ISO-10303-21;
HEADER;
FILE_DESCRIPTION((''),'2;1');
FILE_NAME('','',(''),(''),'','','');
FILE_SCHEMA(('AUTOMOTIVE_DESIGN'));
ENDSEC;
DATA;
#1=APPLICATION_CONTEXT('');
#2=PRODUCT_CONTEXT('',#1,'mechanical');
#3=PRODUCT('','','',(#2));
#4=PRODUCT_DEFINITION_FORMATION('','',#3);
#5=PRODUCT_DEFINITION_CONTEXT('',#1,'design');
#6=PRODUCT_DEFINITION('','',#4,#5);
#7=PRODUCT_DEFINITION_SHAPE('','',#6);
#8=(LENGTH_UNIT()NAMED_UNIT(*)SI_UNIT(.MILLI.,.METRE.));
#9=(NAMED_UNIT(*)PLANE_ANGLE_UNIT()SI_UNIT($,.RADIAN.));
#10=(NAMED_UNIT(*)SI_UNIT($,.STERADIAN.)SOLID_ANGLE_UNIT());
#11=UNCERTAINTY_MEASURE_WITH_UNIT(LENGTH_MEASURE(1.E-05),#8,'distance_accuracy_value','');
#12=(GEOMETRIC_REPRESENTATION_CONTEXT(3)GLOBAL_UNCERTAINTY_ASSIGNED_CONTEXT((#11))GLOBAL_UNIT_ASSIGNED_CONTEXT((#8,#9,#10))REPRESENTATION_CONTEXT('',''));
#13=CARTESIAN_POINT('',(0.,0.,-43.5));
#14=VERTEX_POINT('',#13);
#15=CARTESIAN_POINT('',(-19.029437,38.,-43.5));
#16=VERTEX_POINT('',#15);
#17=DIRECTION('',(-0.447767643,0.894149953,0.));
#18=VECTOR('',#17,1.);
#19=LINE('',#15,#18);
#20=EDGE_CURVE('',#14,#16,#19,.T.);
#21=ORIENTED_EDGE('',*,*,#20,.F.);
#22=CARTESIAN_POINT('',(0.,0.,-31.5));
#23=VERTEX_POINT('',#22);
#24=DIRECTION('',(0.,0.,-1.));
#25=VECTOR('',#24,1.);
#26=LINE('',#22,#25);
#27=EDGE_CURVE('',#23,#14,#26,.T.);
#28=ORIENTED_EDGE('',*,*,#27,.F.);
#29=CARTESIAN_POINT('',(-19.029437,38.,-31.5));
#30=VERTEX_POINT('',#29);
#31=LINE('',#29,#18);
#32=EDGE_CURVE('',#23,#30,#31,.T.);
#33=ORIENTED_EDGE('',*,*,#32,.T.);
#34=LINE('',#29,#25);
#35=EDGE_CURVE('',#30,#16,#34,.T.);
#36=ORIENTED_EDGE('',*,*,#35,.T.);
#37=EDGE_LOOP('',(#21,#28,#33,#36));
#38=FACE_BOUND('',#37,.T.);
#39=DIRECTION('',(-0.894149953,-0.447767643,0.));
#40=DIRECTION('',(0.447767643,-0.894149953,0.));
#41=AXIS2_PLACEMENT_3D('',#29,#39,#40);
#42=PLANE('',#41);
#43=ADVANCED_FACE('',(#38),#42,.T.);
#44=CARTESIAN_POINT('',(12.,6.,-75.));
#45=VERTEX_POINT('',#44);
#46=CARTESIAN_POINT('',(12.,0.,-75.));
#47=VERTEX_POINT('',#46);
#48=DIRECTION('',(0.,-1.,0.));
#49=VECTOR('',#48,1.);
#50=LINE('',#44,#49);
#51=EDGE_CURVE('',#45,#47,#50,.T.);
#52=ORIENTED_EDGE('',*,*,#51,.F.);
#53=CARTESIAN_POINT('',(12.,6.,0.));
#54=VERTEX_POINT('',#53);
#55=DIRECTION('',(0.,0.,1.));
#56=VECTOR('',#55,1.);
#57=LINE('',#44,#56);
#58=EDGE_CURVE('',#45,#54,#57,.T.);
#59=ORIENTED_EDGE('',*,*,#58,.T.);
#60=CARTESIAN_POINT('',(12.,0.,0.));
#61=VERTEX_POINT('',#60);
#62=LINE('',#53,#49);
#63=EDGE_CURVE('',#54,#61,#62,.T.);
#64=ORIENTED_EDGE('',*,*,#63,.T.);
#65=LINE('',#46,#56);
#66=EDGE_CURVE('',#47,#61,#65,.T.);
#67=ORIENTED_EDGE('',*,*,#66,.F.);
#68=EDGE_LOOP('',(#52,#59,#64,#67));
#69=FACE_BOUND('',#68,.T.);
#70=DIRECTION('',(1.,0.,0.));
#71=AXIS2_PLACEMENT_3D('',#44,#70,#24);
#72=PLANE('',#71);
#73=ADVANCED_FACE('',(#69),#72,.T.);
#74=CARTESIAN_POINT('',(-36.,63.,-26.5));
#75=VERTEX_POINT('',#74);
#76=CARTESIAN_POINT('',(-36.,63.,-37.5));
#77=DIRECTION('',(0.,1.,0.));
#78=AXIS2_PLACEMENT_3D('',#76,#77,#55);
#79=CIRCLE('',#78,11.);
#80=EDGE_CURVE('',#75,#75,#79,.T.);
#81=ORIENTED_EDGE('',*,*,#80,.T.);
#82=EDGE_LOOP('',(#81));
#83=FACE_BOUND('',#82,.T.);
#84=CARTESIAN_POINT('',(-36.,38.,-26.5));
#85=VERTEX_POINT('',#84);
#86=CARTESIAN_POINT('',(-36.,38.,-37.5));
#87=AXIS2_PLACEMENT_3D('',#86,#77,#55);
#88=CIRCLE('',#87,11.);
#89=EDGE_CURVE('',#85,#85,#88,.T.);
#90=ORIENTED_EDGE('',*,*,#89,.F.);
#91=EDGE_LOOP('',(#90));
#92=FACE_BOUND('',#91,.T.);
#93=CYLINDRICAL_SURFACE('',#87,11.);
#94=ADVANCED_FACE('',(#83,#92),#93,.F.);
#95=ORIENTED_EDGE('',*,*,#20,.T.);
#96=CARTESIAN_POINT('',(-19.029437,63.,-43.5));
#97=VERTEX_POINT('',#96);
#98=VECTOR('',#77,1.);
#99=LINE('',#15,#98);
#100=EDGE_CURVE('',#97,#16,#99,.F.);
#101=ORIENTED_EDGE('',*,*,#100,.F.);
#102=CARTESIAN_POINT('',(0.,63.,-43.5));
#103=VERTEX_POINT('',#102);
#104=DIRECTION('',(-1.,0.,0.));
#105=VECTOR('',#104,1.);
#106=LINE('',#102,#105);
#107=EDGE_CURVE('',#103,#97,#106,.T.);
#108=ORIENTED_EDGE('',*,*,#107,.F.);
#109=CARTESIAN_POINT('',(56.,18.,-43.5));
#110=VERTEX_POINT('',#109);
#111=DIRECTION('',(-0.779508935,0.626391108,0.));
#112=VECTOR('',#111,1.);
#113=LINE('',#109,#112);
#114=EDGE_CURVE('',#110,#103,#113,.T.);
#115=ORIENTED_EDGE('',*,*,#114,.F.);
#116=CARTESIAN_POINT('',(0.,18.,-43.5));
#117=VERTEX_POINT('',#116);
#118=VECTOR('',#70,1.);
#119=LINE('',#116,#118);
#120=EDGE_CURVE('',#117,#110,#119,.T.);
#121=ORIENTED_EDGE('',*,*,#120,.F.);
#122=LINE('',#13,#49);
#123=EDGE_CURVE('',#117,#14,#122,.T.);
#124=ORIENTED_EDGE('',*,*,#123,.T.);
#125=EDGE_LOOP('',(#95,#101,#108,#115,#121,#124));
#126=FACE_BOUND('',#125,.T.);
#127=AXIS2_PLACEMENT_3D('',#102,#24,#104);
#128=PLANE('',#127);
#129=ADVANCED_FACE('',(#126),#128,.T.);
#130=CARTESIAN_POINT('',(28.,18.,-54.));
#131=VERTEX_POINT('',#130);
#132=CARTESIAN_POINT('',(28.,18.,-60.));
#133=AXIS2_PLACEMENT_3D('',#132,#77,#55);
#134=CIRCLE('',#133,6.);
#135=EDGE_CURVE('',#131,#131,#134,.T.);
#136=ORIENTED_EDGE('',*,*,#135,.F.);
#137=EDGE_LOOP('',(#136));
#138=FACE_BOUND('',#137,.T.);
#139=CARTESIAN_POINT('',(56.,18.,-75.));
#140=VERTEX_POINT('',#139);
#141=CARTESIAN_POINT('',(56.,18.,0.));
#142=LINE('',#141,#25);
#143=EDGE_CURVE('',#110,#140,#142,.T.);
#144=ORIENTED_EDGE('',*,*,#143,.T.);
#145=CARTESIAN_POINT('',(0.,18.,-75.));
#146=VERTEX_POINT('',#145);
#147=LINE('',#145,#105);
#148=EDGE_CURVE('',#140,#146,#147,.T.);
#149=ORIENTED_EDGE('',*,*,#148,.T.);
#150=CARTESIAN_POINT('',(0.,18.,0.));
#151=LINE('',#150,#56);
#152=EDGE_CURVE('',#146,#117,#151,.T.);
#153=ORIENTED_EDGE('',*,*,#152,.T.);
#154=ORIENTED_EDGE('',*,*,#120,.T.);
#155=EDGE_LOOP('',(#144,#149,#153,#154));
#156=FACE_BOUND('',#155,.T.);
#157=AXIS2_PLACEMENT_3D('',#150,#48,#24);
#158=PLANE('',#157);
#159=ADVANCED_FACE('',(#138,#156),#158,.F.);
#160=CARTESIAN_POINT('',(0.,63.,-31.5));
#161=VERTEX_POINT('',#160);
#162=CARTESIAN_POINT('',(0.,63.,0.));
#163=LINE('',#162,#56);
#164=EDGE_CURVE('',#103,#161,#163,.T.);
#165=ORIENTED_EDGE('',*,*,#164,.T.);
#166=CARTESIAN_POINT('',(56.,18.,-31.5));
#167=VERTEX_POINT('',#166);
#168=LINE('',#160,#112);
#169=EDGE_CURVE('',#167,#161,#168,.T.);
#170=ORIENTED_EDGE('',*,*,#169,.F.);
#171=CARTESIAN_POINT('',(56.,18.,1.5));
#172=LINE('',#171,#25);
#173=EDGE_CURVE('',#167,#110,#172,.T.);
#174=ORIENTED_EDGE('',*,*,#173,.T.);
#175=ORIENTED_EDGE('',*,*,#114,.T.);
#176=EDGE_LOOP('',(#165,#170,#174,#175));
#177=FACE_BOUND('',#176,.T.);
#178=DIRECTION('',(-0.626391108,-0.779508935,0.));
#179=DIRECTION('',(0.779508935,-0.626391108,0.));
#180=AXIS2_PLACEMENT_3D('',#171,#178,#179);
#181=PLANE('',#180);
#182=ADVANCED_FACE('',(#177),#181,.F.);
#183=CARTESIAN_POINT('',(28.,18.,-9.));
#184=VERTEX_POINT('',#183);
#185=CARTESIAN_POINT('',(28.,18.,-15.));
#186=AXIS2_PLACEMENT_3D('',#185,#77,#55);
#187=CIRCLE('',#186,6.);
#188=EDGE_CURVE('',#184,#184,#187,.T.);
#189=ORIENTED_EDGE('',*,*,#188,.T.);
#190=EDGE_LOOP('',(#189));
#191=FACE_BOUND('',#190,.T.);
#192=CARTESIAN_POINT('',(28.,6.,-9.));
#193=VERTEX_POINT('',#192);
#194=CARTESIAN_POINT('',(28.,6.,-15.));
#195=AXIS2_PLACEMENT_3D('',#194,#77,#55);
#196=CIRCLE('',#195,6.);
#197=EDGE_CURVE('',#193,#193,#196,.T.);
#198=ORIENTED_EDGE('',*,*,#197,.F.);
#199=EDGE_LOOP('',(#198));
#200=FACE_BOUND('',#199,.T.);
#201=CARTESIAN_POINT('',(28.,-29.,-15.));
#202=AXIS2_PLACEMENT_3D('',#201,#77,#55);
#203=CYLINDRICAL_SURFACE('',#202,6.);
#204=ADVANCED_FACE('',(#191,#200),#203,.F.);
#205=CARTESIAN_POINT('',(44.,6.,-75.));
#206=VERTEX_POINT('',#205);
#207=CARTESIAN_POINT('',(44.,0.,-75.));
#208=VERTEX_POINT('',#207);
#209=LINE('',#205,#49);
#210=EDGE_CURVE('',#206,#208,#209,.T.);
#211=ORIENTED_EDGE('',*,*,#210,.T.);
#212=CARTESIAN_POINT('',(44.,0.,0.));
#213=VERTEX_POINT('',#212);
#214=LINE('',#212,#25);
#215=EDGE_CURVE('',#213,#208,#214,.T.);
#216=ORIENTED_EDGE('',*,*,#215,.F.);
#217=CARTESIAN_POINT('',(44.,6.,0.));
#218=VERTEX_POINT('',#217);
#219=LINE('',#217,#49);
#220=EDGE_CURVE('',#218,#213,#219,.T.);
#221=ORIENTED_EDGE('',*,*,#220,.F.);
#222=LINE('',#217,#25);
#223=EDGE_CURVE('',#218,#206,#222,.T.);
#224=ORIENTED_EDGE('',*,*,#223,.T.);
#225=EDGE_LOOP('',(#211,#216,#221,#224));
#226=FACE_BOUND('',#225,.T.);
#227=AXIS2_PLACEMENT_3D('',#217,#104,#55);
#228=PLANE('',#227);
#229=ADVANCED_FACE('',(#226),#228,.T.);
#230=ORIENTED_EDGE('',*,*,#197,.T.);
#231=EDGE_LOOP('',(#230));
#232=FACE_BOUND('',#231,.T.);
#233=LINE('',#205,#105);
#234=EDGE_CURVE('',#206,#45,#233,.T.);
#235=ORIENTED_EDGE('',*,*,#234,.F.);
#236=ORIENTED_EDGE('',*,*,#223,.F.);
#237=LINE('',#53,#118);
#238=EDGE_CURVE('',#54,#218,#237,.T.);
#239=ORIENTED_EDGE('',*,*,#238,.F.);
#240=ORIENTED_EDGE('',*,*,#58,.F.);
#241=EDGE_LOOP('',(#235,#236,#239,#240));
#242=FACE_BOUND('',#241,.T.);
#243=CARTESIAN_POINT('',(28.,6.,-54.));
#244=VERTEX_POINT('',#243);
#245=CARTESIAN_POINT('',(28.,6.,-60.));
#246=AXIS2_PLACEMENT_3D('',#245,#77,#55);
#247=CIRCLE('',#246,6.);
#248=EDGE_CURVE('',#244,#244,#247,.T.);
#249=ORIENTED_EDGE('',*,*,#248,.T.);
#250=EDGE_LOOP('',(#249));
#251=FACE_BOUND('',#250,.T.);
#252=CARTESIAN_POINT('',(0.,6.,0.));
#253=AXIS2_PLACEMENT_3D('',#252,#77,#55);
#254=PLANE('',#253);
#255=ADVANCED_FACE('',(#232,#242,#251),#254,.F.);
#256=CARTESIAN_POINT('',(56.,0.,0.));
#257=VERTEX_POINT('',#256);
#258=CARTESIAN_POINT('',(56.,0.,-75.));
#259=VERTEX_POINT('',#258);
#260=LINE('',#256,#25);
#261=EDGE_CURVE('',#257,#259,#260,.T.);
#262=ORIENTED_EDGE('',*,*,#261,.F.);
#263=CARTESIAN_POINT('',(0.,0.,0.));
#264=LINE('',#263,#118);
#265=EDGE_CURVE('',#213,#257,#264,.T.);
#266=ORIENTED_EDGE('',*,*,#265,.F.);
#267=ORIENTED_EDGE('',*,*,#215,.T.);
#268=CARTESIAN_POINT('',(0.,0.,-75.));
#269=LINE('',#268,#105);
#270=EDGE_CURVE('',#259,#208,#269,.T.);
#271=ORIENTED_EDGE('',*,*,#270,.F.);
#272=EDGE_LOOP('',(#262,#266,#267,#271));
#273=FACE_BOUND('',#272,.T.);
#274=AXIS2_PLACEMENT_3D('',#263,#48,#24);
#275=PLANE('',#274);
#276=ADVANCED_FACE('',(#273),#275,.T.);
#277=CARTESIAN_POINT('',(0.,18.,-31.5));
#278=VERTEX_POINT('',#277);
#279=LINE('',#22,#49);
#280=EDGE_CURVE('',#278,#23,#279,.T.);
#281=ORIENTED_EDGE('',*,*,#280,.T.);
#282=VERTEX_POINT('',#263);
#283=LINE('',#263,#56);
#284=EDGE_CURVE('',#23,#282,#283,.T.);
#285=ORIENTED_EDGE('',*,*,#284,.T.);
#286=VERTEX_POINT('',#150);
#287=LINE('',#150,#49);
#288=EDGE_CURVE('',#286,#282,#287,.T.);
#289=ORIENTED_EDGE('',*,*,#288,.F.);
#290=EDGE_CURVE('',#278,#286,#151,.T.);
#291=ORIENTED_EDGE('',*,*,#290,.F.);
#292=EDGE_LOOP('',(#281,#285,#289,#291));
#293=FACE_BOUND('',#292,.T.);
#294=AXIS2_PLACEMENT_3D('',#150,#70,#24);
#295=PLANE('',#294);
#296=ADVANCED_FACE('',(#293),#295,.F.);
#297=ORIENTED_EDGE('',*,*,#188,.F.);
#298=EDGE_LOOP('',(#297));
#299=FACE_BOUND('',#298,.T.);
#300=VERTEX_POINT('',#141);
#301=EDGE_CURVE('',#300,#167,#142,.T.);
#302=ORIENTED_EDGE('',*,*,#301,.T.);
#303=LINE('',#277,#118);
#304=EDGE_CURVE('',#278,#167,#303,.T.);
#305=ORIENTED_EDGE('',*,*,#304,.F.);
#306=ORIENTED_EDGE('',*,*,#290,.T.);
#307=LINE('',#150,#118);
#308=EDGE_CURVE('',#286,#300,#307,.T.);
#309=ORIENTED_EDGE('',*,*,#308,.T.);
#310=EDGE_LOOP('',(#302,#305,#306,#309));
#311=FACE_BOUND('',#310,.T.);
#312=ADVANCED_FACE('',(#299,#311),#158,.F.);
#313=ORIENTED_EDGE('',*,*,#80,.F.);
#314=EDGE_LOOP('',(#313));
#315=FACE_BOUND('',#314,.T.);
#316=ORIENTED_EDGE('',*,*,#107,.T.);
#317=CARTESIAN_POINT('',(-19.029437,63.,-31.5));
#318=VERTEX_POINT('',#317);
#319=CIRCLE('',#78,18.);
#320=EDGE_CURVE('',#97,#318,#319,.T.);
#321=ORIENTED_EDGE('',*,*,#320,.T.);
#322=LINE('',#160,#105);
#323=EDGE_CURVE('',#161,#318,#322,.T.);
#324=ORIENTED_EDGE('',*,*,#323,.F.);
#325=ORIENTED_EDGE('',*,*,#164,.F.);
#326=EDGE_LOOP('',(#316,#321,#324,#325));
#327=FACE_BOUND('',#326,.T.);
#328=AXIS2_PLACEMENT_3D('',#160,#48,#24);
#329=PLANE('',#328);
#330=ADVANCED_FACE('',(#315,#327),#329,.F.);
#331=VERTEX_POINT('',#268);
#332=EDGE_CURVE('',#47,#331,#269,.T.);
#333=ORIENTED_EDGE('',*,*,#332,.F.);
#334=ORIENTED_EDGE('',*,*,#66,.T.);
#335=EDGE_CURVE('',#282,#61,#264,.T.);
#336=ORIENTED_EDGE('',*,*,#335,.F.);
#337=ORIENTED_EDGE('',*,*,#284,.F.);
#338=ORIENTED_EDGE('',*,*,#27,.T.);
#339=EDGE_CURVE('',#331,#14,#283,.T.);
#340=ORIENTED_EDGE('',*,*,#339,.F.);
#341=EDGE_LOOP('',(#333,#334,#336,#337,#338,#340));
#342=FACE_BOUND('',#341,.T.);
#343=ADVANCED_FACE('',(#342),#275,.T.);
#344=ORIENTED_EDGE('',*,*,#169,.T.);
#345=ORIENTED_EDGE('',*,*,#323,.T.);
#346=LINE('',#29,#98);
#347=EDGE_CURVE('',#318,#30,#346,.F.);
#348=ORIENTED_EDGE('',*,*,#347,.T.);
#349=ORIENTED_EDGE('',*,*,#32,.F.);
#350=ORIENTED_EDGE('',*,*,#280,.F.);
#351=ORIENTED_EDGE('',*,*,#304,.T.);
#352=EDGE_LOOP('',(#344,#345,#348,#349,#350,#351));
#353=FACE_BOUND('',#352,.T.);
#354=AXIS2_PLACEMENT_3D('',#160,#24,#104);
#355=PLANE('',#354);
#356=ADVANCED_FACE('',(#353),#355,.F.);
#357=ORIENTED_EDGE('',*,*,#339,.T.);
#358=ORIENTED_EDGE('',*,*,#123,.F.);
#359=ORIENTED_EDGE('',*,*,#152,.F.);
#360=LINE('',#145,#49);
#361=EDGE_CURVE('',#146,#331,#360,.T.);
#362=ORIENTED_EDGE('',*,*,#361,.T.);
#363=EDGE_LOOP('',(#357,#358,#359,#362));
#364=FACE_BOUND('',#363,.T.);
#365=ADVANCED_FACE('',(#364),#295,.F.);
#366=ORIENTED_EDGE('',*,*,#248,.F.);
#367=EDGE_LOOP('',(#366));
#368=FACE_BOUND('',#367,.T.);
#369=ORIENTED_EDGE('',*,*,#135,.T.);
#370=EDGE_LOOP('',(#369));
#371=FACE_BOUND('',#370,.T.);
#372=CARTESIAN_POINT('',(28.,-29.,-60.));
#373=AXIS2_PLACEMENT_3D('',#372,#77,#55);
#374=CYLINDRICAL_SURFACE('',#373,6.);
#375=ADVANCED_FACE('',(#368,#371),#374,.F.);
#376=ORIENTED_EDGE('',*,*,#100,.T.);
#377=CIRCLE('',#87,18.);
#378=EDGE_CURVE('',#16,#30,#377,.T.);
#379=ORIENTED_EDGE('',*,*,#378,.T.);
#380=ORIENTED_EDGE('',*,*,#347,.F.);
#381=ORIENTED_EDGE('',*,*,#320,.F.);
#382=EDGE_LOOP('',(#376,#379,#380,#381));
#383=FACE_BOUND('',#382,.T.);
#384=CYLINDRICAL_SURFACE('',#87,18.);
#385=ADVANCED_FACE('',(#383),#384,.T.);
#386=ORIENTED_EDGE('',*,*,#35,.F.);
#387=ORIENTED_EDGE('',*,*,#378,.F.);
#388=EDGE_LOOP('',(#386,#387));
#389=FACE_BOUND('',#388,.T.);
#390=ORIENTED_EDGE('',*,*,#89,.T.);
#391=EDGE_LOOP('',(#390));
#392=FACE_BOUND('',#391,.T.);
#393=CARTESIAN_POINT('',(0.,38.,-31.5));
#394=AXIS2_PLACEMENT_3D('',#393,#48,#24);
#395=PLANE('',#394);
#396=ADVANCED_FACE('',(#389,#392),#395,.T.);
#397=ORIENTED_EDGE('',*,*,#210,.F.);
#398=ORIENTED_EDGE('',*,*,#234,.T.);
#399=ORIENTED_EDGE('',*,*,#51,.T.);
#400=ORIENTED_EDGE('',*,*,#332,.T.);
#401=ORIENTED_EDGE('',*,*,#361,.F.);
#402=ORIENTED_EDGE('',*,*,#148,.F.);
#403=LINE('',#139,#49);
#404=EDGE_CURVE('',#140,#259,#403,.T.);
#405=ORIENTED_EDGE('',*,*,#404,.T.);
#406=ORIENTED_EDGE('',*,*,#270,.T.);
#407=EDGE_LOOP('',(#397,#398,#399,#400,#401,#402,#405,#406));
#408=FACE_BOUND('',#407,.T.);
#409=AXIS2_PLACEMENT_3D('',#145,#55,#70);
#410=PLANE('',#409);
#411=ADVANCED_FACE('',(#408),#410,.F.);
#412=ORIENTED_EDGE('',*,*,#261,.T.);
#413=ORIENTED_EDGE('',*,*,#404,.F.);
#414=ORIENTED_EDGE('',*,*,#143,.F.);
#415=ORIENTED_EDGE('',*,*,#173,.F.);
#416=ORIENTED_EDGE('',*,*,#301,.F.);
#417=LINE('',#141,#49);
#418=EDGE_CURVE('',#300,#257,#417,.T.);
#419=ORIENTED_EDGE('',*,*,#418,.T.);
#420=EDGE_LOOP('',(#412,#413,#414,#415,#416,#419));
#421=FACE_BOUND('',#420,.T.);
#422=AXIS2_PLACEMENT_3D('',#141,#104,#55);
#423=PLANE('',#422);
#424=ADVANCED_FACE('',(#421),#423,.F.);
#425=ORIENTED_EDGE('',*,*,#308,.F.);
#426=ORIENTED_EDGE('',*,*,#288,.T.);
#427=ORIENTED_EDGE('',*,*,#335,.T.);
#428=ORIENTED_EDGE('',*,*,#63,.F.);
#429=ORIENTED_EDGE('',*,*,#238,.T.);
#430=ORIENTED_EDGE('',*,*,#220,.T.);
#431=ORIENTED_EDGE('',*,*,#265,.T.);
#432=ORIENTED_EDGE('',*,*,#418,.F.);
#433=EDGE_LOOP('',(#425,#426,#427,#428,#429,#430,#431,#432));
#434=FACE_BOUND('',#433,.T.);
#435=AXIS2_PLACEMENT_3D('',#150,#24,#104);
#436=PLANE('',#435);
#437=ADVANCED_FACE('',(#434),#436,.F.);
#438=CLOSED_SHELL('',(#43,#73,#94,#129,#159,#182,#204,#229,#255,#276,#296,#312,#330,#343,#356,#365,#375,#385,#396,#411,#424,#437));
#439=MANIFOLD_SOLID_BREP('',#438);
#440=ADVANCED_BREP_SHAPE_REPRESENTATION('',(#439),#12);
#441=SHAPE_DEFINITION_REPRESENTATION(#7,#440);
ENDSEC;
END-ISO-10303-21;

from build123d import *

# Parameters (mm, degrees)
SKETCH2_W            = 56
SKETCH2_H            = 75
BOSS_EXTRUDE1_DEPTH  = 18
SKETCH3_W            = 32
SKETCH3_H            = 75
CUT_EXTRUDE1_DEPTH   = 6
SKETCH6_R            = 6
CUT_EXTRUDE2_DEPTH   = 47
SKETCH7_W            = 56
SKETCH7_H            = 12
BOSS_EXTRUDE2_DEPTH  = 45
CUT_EXTRUDE3_DEPTH   = 45
SKETCH9_W            = 36
SKETCH9_H            = 25
BOSS_EXTRUDE5_DEPTH  = 12
SKETCH10_R           = 18
BOSS_EXTRUDE9_DEPTH  = 25
SKETCH11_R           = 11
CUT_EXTRUDE4_DEPTH   = 25
BOSS_EXTRUDE10_DEPTH = 12


with BuildPart() as part:
    # Sketch2 → Boss-Extrude1 (new body)
    with BuildSketch(Plane(origin=(0, 0, 0), x_dir=(1, 0, 0), z_dir=(0, 1, 0))):
        with Locations((28, 37.5)):
            Rectangle(SKETCH2_W, SKETCH2_H)
    extrude(amount=BOSS_EXTRUDE1_DEPTH)

    # Sketch3 → Cut-Extrude1 (cut)
    with BuildSketch(Plane.XZ):
        with Locations((28, -37.5)):
            Rectangle(SKETCH3_W, SKETCH3_H)
    extrude(amount=-CUT_EXTRUDE1_DEPTH, mode=Mode.SUBTRACT)

    # Sketch6 → Cut-Extrude2 (cut)
    with BuildSketch(Plane(origin=(0, 18, 0), x_dir=(1, 0, 0), z_dir=(0, 1, 0))):
        with Locations((28, 15)):
            Circle(SKETCH6_R)
        with Locations((28, 60)):
            Circle(SKETCH6_R)
    extrude(amount=-CUT_EXTRUDE2_DEPTH, mode=Mode.SUBTRACT)

    # Sketch7 → Boss-Extrude2 (add)
    with BuildSketch(Plane(origin=(0, 18, 0), x_dir=(1, 0, 0), z_dir=(0, 1, 0))):
        with Locations((28, 37.5)):
            Rectangle(SKETCH7_W, SKETCH7_H)
    extrude(amount=BOSS_EXTRUDE2_DEPTH)

    # Sketch8 → Cut-Extrude3 (cut)
    with BuildSketch(Plane(origin=(0, 0, -43.5), x_dir=(-1, 0, 0), z_dir=(0, 0, -1))):
        Polygon((-56, 18), (0, 63), (-56, 63), align=None)
    extrude(amount=-CUT_EXTRUDE3_DEPTH, mode=Mode.SUBTRACT)

    # Sketch9 → Boss-Extrude5 (add)
    with BuildSketch(Plane(origin=(0, 0, -43.5), x_dir=(-1, 0, 0), z_dir=(0, 0, -1))):
        with Locations((18, 50.5)):
            Rectangle(SKETCH9_W, SKETCH9_H)
    extrude(amount=-BOSS_EXTRUDE5_DEPTH)

    # Sketch10 → Boss-Extrude9 (add)
    with BuildSketch(Plane(origin=(0, 63, 0), x_dir=(1, 0, 0), z_dir=(0, 1, 0))):
        with Locations((-36, 37.5)):
            Circle(SKETCH10_R)
    extrude(amount=-BOSS_EXTRUDE9_DEPTH)

    # Sketch11 → Cut-Extrude4 (cut)
    with BuildSketch(Plane(origin=(0, 63, 0), x_dir=(1, 0, 0), z_dir=(0, 1, 0))):
        with Locations((-36, 37.5)):
            Circle(SKETCH11_R)
    extrude(amount=-CUT_EXTRUDE4_DEPTH, mode=Mode.SUBTRACT)

    # Sketch12 → Boss-Extrude10 (add)
    with BuildSketch(Plane(origin=(0, 0, -43.5), x_dir=(-1, 0, 0), z_dir=(0, 0, -1))):
        Polygon((19.029437252, 38), (0, 0), (0, 38), align=None)
    extrude(amount=-BOSS_EXTRUDE10_DEPTH)


solid = part.part
